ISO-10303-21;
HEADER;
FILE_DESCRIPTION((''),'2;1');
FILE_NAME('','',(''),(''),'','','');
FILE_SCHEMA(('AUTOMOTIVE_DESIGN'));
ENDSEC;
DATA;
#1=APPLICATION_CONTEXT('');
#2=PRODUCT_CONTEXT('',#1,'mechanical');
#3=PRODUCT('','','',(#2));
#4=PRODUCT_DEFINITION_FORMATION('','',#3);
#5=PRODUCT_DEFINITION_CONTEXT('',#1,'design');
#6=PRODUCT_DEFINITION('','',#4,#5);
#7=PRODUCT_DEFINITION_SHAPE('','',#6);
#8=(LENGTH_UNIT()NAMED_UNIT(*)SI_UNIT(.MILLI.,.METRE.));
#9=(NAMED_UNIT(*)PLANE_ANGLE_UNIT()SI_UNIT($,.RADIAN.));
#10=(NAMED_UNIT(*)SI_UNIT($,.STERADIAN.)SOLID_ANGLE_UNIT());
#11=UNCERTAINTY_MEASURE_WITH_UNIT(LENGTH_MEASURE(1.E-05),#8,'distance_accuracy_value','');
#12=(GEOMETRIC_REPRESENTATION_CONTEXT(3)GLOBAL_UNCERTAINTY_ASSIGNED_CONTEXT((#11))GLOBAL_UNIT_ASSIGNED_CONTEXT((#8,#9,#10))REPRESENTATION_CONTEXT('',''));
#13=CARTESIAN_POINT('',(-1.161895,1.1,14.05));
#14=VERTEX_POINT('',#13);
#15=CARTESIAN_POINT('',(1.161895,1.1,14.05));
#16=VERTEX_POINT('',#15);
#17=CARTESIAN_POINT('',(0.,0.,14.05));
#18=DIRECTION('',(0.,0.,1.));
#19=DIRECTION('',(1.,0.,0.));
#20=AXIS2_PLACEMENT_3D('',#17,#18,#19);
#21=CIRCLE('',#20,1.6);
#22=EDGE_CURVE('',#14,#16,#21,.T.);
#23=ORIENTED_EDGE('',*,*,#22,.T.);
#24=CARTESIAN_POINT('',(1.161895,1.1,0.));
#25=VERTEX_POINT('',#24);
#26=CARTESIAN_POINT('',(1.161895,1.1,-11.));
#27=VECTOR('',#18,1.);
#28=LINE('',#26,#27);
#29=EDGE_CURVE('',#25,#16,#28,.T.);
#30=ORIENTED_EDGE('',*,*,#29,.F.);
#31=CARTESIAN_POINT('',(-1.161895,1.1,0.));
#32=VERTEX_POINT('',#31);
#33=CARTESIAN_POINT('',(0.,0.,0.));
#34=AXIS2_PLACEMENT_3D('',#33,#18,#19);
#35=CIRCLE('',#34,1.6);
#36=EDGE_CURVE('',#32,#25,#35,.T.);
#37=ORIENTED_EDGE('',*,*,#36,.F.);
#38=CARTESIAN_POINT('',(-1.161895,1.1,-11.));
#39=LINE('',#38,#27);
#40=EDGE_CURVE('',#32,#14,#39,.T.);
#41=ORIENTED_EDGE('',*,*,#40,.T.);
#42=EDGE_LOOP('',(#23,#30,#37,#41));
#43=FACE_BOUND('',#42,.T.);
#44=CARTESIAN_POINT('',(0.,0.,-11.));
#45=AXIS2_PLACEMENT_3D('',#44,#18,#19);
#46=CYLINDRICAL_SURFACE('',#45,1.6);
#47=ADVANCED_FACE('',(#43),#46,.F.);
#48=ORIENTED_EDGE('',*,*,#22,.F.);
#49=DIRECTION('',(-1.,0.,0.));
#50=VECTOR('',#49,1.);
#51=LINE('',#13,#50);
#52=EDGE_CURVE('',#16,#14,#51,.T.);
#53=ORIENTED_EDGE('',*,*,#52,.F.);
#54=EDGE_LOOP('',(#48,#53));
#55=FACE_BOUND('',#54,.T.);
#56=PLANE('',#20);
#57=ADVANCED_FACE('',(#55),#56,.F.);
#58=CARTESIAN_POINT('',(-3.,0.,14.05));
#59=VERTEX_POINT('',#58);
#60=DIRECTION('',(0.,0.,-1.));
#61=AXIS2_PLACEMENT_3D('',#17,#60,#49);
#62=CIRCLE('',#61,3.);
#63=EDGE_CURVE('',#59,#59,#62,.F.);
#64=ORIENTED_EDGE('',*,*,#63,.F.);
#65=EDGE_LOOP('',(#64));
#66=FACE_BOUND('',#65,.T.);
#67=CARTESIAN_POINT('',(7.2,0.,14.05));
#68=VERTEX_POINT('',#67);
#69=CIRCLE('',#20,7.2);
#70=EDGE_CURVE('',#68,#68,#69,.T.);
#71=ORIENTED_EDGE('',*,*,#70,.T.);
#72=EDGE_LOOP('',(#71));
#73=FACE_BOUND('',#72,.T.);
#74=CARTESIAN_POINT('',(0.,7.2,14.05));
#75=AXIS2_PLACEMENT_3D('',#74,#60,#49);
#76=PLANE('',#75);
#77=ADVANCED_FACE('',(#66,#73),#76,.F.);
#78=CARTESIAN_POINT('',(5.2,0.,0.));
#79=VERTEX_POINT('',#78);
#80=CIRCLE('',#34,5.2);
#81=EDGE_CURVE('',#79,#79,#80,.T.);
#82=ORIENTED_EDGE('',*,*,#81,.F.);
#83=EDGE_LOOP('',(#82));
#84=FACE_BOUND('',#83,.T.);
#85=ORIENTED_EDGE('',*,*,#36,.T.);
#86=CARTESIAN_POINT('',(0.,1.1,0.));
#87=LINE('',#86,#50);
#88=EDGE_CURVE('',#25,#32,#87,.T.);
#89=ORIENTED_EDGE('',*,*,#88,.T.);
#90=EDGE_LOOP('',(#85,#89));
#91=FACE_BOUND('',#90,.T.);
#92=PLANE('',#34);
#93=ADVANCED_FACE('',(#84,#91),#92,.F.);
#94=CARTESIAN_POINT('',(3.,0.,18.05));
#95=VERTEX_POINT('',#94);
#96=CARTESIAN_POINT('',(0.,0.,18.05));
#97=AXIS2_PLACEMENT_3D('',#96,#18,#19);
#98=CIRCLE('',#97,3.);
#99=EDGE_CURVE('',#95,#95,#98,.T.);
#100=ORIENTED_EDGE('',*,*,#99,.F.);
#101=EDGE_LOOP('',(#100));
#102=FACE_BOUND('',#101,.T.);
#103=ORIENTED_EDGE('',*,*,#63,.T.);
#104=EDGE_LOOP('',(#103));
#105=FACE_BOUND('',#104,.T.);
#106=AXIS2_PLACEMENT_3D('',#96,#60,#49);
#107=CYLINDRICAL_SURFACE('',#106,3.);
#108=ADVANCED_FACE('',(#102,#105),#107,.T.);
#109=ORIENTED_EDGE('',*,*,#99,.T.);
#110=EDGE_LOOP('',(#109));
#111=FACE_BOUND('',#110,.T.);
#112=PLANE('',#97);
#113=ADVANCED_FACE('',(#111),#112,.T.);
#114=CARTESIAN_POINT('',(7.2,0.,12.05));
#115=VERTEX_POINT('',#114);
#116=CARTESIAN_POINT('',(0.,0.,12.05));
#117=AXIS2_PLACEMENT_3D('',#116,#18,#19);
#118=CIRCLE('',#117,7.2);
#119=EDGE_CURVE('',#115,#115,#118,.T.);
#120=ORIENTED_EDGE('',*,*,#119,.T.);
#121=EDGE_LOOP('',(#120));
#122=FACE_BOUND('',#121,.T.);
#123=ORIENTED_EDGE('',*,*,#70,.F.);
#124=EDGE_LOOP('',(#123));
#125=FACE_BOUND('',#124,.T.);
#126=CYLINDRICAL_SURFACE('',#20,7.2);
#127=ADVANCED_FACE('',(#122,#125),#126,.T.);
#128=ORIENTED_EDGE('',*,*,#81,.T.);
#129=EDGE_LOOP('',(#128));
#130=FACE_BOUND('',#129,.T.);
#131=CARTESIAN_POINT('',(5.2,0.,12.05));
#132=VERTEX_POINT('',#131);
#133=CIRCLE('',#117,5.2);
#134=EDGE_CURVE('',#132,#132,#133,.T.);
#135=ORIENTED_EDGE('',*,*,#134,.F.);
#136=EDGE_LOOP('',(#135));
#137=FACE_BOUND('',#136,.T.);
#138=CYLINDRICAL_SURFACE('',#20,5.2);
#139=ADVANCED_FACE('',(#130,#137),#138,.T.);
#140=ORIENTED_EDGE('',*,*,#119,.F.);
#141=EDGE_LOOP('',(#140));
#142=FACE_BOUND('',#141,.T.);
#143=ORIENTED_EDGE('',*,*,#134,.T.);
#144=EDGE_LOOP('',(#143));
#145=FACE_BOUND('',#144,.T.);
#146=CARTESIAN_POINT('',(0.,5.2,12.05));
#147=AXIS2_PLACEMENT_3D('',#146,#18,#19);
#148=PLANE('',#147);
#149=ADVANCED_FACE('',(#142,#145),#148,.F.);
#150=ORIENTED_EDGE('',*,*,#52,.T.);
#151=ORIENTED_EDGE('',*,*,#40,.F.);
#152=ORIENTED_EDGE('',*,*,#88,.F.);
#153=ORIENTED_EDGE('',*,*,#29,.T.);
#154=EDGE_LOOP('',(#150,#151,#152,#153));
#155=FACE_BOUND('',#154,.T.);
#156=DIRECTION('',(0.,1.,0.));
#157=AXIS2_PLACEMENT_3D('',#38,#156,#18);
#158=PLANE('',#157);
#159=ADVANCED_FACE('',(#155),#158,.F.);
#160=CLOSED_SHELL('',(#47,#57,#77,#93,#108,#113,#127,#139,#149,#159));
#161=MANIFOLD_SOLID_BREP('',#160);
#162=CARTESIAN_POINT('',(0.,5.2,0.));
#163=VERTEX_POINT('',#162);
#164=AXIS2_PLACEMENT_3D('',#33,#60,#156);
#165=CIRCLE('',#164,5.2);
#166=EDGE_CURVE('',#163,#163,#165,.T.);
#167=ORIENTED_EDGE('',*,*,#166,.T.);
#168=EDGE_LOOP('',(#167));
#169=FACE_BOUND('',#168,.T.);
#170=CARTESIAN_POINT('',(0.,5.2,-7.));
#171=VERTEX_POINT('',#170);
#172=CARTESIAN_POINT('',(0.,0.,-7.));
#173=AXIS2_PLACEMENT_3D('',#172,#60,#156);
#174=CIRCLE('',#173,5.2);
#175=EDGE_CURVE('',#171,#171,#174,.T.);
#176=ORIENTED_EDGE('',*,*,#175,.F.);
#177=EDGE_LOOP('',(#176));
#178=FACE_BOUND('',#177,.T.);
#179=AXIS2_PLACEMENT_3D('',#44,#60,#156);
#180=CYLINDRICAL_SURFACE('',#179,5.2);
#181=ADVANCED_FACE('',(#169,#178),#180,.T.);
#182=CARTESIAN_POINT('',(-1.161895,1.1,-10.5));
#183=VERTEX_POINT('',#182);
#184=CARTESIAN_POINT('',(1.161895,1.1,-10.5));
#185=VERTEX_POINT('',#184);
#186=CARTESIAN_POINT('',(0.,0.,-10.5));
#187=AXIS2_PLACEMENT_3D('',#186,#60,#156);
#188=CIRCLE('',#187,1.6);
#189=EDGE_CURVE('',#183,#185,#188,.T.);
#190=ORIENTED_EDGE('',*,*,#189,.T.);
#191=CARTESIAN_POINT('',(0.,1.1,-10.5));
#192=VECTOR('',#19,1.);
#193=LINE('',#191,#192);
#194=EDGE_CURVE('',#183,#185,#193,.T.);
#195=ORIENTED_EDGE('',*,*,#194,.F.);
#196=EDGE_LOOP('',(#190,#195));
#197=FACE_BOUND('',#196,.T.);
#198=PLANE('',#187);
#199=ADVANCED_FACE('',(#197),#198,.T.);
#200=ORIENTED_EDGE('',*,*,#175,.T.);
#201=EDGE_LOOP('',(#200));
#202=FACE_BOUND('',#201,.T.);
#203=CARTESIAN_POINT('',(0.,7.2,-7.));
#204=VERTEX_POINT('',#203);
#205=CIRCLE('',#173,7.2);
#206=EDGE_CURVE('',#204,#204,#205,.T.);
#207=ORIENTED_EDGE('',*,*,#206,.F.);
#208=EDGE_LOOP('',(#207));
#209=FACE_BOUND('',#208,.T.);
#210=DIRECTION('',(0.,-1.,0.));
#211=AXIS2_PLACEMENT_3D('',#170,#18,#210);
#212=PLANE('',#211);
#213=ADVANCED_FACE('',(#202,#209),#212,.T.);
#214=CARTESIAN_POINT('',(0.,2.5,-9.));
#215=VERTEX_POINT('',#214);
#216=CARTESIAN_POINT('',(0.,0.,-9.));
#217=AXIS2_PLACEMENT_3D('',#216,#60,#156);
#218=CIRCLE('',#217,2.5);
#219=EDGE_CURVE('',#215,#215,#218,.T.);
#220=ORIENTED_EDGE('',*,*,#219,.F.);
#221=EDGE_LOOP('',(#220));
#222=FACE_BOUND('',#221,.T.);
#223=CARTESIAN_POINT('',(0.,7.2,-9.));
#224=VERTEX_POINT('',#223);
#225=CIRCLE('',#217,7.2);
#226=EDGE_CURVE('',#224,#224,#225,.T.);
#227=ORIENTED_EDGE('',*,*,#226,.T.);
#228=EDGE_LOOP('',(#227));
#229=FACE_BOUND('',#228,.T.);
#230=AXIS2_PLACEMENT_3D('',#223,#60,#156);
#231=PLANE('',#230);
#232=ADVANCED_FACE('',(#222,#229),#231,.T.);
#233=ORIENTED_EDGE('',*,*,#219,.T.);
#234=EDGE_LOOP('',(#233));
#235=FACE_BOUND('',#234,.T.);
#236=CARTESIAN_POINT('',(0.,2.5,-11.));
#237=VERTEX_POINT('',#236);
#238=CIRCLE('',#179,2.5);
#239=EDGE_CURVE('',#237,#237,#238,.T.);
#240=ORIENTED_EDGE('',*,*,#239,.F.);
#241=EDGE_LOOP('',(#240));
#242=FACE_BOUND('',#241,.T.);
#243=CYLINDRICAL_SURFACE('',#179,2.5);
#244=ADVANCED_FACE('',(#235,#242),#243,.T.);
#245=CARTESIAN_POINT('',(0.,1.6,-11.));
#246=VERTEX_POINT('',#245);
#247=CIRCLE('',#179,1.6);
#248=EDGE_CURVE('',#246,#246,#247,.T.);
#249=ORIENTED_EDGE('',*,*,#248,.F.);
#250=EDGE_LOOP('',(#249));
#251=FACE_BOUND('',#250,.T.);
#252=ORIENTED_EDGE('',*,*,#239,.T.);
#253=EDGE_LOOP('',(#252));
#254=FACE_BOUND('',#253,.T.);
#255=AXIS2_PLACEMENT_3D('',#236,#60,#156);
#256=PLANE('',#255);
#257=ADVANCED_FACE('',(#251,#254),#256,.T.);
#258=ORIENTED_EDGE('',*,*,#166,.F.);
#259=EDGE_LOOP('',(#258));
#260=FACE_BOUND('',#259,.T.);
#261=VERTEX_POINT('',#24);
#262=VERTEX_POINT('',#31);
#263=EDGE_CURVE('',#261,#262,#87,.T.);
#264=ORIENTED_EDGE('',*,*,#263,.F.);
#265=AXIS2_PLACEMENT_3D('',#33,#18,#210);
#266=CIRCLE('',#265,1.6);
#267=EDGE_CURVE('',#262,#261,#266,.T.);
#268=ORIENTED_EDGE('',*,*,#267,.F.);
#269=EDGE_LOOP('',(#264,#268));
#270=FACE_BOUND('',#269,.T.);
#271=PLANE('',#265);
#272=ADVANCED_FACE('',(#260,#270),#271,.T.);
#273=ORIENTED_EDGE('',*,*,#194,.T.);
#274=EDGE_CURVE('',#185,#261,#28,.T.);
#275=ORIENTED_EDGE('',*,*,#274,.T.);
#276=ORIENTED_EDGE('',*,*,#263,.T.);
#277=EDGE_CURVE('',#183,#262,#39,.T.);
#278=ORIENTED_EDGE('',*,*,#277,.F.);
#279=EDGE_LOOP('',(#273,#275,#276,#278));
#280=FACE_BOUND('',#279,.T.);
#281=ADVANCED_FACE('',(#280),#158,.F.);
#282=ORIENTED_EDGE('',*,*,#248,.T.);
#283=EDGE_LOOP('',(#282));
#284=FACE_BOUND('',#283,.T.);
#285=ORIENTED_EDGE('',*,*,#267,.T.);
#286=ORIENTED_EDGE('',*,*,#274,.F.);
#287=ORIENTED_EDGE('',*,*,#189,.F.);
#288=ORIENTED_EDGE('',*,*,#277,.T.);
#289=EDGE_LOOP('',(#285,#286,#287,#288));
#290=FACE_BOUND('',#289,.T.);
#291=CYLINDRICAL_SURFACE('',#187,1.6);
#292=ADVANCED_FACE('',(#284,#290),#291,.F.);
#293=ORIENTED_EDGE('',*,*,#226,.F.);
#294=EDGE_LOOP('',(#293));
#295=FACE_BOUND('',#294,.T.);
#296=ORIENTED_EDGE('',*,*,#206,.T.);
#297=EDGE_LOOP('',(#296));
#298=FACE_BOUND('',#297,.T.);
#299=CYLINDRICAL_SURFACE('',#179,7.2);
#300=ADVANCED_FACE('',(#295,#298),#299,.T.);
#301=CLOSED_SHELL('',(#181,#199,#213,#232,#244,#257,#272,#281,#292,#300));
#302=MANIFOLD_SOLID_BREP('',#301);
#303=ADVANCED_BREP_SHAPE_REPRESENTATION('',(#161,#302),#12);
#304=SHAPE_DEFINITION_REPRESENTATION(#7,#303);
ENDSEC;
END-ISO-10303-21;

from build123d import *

# Parameters (mm, degrees)
SKETCH4_R               = 1.6
CUT_EXTRUDE2_DEPTH      = 0.5
CUT_EXTRUDE1_DEPTH      = 18.35172902
CUT_EXTRUDE1_DEPTH_BACK = 18.35172902
SKETCH6_R               = 3
BOSS_EXTRUDE2_DEPTH     = 4


with BuildPart() as part:
    # Sketch2 → Revolve1 (revolve)
    with BuildSketch(Plane(origin=(0, 0, 0), x_dir=(0, 0, -1), z_dir=(1, 0, 0))):
        Polygon((0, 0), (0, 5.2), (7, 5.2), (7, 7.2), (9, 7.2), (9, 2.5), (11, 2.5), (11, 0), align=None)
    revolve(axis=Axis((0, 0, -11), (0, 0, 1)))

    # Sketch4 → Cut-Extrude2 (cut)
    with BuildSketch(Plane(origin=(0, 0, -11), x_dir=(-1, 0, 0), z_dir=(0, 0, -1))):
        with Locations(Location((0, 0, 0), (0, 0, 90))):
            Circle(SKETCH4_R)
    extrude(amount=-CUT_EXTRUDE2_DEPTH, mode=Mode.SUBTRACT)


with BuildPart() as body_2:
    # Sketch5 → Revolve2 (revolve)
    with BuildSketch(Plane(origin=(0, 0, 0), x_dir=(0, 0, -1), z_dir=(1, 0, 0)), mode=Mode.PRIVATE) as revolve2_sk:
        Polygon((0, 0), (0, 5.2), (-12.05, 5.2), (-12.05, 7.2), (-14.05, 7.2), (-14.05, 0), align=None)
    revolve(revolve2_sk.sketch.rotate(Axis((0, 0, 14.05), (0, 0, -1)), 90), axis=Axis((0, 0, 14.05), (0, 0, -1)))


with BuildPart() as cut_extrude1_tool:
    # Sketch3 → Cut-Extrude1 (new, two sides: drawn at the far end of the back side and taken through both)
    with BuildSketch(Plane.XY.offset(-CUT_EXTRUDE1_DEPTH_BACK)):
        with BuildLine():
            Line((-1.161895004, 1.1), (1.161895004, 1.1))
            ThreePointArc((1.161895004, 1.1), (0, -1.6), (-1.161895004, 1.1))
        make_face()
    extrude(amount=CUT_EXTRUDE1_DEPTH + CUT_EXTRUDE1_DEPTH_BACK)


with BuildPart() as part_1:
    add(part.part)

    # Cut-Extrude1: cut by cut_extrude1_tool
    add(cut_extrude1_tool.part, mode=Mode.SUBTRACT)


with BuildPart() as body_2_1:
    add(body_2.part)

    # Cut-Extrude1: cut by cut_extrude1_tool
    add(cut_extrude1_tool.part, mode=Mode.SUBTRACT)

    # Sketch6 → Boss-Extrude2 (add)
    with BuildSketch(Plane.XY.offset(14.05)):
        with Locations(Location((0, 0, 0), (0, 0, 180))):
            Circle(SKETCH6_R)
    extrude(amount=BOSS_EXTRUDE2_DEPTH)


solid = Compound([part_1.part, body_2_1.part])
